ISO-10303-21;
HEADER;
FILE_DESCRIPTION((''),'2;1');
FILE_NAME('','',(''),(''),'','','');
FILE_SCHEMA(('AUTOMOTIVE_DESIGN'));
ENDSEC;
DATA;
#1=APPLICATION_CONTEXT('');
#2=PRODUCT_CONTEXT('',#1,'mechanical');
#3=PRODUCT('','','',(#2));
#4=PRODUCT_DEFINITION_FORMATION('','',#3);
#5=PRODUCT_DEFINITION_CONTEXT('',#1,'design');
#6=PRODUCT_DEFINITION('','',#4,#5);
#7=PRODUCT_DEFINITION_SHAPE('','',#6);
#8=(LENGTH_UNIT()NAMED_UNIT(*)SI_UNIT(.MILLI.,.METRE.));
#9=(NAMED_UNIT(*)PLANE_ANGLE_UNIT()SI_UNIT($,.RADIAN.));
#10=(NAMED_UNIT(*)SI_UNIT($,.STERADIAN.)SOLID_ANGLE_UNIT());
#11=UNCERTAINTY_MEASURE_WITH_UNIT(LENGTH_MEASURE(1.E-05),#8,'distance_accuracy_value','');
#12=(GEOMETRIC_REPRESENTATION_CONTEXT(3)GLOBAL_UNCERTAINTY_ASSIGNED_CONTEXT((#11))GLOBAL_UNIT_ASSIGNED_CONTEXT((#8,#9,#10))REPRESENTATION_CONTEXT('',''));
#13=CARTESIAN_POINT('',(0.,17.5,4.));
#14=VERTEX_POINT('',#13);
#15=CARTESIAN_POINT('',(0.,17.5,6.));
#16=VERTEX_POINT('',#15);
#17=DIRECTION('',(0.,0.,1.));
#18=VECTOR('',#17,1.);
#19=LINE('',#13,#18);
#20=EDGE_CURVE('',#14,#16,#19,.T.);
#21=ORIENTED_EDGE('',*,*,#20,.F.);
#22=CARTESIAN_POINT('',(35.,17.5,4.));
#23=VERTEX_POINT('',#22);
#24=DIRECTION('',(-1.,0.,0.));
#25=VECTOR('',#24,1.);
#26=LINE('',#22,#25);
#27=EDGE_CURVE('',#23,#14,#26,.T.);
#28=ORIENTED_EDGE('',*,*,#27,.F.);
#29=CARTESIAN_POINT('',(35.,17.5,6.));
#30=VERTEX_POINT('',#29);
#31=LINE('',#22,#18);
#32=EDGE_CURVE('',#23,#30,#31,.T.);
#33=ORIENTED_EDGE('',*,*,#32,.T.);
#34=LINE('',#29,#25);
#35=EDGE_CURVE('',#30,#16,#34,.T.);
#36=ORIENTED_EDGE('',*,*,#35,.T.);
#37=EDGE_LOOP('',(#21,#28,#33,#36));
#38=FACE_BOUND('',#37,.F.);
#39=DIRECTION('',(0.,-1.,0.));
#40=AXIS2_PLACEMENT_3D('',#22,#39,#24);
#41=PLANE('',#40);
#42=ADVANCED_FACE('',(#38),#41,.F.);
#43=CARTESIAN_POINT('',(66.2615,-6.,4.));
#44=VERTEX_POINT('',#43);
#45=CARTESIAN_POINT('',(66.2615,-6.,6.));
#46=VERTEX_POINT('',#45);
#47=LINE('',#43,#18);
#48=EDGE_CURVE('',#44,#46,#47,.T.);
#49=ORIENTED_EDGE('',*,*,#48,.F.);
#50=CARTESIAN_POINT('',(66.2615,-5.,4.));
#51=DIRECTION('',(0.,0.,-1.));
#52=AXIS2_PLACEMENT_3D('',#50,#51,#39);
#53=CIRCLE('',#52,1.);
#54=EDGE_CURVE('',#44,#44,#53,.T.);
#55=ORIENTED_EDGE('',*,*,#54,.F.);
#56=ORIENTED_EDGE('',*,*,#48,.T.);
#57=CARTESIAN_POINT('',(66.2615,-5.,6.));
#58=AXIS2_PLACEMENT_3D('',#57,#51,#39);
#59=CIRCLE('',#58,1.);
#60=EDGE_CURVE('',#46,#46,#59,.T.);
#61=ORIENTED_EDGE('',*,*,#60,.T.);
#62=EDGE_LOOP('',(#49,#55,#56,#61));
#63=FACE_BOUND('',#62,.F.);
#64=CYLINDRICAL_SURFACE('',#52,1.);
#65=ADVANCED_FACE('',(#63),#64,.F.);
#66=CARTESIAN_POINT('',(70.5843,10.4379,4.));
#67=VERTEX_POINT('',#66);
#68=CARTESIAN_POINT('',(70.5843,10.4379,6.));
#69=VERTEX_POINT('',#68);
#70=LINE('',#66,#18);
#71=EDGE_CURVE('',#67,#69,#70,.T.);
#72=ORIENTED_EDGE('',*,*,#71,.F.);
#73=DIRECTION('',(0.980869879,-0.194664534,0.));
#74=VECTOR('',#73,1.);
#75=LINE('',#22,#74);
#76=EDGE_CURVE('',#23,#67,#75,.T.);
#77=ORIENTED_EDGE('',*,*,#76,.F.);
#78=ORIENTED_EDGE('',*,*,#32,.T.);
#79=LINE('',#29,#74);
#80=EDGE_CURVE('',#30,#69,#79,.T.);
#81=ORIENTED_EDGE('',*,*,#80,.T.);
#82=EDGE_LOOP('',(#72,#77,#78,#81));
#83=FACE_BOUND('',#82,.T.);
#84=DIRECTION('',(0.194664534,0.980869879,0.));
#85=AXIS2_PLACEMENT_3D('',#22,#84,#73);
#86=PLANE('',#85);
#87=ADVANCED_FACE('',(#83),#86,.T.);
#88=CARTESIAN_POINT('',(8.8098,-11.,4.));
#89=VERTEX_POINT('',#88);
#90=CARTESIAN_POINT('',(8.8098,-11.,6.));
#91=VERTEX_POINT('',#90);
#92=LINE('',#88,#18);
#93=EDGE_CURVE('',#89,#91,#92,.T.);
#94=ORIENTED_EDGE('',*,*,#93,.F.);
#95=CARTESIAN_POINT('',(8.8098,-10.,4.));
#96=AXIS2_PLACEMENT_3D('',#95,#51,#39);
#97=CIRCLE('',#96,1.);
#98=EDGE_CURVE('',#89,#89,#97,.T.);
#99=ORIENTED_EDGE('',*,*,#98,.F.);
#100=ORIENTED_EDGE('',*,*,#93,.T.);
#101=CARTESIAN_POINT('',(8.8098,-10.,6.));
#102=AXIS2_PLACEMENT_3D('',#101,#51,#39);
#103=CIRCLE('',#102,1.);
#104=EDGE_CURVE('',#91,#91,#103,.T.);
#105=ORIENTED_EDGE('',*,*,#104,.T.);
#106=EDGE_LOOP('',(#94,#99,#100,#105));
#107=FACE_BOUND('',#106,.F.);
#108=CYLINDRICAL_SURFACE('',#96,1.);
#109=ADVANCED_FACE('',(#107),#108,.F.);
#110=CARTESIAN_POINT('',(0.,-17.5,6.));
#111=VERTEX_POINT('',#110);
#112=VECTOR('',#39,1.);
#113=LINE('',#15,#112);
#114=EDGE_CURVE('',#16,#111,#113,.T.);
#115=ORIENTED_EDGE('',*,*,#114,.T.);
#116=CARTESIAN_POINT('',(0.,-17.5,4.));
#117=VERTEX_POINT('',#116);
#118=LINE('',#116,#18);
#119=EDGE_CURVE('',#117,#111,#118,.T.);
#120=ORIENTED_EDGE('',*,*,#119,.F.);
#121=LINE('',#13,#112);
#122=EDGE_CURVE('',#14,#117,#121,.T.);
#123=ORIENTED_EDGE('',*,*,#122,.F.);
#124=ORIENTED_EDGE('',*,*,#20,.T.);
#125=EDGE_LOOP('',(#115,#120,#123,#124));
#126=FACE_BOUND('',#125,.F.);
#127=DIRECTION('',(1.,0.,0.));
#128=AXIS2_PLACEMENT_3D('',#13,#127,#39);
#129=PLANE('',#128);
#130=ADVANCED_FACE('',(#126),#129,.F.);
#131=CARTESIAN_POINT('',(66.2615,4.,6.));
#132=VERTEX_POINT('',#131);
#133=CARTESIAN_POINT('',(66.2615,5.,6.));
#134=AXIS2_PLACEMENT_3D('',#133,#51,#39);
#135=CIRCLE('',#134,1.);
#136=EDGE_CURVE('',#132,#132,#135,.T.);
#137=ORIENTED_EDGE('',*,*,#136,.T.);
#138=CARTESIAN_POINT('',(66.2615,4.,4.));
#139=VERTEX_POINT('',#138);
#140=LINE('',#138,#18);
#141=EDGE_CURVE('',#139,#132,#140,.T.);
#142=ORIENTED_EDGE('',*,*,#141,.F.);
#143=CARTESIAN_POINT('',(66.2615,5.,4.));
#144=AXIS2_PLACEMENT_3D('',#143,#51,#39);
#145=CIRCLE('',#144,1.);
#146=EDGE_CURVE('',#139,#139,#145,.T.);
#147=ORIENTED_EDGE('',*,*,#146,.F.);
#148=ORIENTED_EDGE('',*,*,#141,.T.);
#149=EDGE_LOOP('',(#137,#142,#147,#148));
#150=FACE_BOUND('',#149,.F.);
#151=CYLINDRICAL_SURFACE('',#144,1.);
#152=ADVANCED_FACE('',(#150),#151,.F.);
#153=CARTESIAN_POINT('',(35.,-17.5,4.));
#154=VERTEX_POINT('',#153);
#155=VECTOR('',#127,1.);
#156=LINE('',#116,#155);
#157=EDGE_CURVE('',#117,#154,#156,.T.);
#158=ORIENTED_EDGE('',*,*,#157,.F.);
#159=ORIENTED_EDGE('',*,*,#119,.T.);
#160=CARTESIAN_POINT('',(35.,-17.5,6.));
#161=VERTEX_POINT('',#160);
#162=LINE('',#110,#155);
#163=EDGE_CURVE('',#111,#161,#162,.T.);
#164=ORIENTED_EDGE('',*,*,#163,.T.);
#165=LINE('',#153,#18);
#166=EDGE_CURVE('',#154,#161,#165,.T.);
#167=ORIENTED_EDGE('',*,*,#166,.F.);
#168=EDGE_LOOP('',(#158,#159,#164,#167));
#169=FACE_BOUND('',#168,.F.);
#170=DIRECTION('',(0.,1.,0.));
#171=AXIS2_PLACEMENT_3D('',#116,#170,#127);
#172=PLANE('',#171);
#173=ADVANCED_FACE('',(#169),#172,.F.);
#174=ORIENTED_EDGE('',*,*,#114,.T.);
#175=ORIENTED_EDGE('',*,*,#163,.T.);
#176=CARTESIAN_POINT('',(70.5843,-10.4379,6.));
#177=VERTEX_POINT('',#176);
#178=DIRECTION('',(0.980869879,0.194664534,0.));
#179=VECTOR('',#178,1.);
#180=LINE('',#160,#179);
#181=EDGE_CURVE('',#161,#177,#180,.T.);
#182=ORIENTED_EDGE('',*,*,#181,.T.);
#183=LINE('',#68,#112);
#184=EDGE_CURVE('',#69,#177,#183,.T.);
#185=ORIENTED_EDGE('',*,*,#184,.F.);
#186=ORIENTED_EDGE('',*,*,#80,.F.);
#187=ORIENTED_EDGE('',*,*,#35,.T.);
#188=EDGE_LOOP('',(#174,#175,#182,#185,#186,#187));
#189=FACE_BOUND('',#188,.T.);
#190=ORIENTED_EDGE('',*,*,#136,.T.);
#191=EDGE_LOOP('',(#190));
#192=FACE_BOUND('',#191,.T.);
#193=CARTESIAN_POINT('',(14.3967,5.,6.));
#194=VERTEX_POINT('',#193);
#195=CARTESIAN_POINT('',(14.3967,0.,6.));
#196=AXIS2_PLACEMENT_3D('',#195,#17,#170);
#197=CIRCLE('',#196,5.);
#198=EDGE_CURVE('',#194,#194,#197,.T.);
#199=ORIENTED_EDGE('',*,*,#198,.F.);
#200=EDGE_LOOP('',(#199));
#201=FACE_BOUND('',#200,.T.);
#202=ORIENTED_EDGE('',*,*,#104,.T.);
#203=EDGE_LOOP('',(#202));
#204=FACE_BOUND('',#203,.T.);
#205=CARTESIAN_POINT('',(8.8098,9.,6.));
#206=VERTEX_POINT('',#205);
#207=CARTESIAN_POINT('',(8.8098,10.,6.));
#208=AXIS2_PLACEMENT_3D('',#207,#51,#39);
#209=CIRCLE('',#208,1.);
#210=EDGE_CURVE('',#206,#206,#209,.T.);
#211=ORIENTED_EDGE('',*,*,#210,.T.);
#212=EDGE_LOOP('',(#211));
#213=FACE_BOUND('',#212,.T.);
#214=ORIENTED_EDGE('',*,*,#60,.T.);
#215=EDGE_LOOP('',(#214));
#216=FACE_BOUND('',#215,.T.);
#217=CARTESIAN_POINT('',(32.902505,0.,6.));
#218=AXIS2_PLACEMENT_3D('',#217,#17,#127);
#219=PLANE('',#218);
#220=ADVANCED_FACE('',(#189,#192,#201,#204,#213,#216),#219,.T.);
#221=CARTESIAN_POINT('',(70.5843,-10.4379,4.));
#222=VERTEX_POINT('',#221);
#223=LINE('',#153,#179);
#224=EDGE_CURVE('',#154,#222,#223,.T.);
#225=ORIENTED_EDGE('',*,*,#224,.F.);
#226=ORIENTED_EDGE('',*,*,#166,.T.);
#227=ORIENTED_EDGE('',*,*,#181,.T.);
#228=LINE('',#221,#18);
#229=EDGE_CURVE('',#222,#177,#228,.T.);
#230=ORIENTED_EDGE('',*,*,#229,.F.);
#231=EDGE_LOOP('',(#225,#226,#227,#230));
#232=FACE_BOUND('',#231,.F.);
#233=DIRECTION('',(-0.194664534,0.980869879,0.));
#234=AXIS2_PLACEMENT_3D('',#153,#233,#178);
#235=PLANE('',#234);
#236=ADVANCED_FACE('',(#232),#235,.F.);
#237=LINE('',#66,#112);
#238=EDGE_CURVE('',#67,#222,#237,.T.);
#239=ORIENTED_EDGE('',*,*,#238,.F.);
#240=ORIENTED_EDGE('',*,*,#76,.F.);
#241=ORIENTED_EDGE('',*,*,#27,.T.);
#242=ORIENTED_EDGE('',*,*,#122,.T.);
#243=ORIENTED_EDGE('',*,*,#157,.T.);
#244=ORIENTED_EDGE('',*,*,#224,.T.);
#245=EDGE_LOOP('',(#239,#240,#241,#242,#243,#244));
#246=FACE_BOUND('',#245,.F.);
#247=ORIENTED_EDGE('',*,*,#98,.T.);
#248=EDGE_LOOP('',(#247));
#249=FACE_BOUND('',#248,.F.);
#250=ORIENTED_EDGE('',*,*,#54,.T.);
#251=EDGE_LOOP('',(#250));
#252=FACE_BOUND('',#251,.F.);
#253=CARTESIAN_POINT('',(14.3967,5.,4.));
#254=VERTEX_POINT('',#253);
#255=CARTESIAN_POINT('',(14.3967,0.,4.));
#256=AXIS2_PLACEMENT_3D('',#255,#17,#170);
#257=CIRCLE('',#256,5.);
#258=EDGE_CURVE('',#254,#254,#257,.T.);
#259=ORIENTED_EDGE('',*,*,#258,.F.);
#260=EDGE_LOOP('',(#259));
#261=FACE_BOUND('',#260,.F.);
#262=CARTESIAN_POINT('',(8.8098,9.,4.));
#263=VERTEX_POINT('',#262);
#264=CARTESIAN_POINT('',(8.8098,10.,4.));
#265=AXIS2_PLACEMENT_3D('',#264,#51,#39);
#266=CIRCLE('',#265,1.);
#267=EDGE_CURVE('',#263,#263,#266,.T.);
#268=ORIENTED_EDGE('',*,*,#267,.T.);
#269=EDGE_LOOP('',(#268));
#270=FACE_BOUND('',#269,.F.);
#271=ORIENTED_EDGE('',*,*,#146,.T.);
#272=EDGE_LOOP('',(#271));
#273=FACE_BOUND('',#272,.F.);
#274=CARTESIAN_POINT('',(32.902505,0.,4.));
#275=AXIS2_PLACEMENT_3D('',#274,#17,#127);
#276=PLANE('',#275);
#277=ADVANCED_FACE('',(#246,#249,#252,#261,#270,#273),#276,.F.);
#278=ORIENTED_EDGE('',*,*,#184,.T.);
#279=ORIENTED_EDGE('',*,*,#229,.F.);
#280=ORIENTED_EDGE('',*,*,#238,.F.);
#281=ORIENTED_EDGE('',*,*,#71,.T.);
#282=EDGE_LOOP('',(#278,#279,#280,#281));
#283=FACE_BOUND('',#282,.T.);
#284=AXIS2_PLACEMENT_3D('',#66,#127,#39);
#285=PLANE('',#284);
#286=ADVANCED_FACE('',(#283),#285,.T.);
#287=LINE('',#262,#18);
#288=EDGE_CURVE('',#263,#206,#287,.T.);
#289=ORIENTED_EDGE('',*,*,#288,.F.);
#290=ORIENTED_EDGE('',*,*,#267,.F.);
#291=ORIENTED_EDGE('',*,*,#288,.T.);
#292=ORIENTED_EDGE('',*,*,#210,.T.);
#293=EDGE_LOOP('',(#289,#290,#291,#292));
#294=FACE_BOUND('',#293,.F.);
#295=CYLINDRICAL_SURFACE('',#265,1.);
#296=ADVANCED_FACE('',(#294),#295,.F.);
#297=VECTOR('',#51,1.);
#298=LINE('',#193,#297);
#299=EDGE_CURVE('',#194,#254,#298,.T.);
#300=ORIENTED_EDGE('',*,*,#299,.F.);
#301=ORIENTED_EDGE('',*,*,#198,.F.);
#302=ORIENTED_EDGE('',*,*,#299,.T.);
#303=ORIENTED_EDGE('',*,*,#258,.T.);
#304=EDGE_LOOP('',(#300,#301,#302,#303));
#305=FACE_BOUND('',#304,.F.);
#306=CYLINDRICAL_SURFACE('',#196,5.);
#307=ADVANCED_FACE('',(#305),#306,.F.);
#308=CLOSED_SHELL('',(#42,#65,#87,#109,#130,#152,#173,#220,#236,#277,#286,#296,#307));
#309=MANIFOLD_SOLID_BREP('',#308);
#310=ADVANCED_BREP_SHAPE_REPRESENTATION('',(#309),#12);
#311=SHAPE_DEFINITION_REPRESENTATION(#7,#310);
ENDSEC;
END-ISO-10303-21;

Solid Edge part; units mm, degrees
sketch "Sketch1" plane through (0, 0, 4) normal (0, 0, 1) x (1, 0, 0)
  line L0 (0, 17.5) -> (0, -17.5)
  line L1 (0, -17.5) -> (35, -17.5)
  line L2 (35, -17.5) -> (70.5843, -10.4379)
  line L3 (70.5843, 10.4379) -> (70.5843, -10.4379)
  line L4 (35, 17.5) -> (70.5843, 10.4379)
  line L5 (35, 17.5) -> (0, 17.5)
  dimension "D1" = 35
  dimension "D2" = 35
extrude "ExtrudedProtrusion_1" add sketch "Sketch1" along normal blind 2
sketch "Sketch2" plane through (38.9148, 0, 6) normal (0, 0, 1) x (0, 1, 0)
  circle A0 centre (0, 24.5181) radius 5
extrude "Cutout1" cut sketch "Sketch2" against normal through all
sketch "Sketch3" plane through (35.2922, 0, 4) normal (0, 0, -1) x (0, -1, 0)
  circle A0 centre (10, 26.4824) radius 1
  circle A1 centre (-5, -30.9693) radius 1
  circle A2 centre (5, -30.9693) radius 1
  circle A3 centre (-10, 26.4824) radius 1
  dimension "D1" = 10
  dimension "D2" = 10
  dimension "D3" = 5
  dimension "D4" = 5
extrude "Cutout2" cut sketch "Sketch3" against normal through all
properties material "Polypropylene, high impact"
